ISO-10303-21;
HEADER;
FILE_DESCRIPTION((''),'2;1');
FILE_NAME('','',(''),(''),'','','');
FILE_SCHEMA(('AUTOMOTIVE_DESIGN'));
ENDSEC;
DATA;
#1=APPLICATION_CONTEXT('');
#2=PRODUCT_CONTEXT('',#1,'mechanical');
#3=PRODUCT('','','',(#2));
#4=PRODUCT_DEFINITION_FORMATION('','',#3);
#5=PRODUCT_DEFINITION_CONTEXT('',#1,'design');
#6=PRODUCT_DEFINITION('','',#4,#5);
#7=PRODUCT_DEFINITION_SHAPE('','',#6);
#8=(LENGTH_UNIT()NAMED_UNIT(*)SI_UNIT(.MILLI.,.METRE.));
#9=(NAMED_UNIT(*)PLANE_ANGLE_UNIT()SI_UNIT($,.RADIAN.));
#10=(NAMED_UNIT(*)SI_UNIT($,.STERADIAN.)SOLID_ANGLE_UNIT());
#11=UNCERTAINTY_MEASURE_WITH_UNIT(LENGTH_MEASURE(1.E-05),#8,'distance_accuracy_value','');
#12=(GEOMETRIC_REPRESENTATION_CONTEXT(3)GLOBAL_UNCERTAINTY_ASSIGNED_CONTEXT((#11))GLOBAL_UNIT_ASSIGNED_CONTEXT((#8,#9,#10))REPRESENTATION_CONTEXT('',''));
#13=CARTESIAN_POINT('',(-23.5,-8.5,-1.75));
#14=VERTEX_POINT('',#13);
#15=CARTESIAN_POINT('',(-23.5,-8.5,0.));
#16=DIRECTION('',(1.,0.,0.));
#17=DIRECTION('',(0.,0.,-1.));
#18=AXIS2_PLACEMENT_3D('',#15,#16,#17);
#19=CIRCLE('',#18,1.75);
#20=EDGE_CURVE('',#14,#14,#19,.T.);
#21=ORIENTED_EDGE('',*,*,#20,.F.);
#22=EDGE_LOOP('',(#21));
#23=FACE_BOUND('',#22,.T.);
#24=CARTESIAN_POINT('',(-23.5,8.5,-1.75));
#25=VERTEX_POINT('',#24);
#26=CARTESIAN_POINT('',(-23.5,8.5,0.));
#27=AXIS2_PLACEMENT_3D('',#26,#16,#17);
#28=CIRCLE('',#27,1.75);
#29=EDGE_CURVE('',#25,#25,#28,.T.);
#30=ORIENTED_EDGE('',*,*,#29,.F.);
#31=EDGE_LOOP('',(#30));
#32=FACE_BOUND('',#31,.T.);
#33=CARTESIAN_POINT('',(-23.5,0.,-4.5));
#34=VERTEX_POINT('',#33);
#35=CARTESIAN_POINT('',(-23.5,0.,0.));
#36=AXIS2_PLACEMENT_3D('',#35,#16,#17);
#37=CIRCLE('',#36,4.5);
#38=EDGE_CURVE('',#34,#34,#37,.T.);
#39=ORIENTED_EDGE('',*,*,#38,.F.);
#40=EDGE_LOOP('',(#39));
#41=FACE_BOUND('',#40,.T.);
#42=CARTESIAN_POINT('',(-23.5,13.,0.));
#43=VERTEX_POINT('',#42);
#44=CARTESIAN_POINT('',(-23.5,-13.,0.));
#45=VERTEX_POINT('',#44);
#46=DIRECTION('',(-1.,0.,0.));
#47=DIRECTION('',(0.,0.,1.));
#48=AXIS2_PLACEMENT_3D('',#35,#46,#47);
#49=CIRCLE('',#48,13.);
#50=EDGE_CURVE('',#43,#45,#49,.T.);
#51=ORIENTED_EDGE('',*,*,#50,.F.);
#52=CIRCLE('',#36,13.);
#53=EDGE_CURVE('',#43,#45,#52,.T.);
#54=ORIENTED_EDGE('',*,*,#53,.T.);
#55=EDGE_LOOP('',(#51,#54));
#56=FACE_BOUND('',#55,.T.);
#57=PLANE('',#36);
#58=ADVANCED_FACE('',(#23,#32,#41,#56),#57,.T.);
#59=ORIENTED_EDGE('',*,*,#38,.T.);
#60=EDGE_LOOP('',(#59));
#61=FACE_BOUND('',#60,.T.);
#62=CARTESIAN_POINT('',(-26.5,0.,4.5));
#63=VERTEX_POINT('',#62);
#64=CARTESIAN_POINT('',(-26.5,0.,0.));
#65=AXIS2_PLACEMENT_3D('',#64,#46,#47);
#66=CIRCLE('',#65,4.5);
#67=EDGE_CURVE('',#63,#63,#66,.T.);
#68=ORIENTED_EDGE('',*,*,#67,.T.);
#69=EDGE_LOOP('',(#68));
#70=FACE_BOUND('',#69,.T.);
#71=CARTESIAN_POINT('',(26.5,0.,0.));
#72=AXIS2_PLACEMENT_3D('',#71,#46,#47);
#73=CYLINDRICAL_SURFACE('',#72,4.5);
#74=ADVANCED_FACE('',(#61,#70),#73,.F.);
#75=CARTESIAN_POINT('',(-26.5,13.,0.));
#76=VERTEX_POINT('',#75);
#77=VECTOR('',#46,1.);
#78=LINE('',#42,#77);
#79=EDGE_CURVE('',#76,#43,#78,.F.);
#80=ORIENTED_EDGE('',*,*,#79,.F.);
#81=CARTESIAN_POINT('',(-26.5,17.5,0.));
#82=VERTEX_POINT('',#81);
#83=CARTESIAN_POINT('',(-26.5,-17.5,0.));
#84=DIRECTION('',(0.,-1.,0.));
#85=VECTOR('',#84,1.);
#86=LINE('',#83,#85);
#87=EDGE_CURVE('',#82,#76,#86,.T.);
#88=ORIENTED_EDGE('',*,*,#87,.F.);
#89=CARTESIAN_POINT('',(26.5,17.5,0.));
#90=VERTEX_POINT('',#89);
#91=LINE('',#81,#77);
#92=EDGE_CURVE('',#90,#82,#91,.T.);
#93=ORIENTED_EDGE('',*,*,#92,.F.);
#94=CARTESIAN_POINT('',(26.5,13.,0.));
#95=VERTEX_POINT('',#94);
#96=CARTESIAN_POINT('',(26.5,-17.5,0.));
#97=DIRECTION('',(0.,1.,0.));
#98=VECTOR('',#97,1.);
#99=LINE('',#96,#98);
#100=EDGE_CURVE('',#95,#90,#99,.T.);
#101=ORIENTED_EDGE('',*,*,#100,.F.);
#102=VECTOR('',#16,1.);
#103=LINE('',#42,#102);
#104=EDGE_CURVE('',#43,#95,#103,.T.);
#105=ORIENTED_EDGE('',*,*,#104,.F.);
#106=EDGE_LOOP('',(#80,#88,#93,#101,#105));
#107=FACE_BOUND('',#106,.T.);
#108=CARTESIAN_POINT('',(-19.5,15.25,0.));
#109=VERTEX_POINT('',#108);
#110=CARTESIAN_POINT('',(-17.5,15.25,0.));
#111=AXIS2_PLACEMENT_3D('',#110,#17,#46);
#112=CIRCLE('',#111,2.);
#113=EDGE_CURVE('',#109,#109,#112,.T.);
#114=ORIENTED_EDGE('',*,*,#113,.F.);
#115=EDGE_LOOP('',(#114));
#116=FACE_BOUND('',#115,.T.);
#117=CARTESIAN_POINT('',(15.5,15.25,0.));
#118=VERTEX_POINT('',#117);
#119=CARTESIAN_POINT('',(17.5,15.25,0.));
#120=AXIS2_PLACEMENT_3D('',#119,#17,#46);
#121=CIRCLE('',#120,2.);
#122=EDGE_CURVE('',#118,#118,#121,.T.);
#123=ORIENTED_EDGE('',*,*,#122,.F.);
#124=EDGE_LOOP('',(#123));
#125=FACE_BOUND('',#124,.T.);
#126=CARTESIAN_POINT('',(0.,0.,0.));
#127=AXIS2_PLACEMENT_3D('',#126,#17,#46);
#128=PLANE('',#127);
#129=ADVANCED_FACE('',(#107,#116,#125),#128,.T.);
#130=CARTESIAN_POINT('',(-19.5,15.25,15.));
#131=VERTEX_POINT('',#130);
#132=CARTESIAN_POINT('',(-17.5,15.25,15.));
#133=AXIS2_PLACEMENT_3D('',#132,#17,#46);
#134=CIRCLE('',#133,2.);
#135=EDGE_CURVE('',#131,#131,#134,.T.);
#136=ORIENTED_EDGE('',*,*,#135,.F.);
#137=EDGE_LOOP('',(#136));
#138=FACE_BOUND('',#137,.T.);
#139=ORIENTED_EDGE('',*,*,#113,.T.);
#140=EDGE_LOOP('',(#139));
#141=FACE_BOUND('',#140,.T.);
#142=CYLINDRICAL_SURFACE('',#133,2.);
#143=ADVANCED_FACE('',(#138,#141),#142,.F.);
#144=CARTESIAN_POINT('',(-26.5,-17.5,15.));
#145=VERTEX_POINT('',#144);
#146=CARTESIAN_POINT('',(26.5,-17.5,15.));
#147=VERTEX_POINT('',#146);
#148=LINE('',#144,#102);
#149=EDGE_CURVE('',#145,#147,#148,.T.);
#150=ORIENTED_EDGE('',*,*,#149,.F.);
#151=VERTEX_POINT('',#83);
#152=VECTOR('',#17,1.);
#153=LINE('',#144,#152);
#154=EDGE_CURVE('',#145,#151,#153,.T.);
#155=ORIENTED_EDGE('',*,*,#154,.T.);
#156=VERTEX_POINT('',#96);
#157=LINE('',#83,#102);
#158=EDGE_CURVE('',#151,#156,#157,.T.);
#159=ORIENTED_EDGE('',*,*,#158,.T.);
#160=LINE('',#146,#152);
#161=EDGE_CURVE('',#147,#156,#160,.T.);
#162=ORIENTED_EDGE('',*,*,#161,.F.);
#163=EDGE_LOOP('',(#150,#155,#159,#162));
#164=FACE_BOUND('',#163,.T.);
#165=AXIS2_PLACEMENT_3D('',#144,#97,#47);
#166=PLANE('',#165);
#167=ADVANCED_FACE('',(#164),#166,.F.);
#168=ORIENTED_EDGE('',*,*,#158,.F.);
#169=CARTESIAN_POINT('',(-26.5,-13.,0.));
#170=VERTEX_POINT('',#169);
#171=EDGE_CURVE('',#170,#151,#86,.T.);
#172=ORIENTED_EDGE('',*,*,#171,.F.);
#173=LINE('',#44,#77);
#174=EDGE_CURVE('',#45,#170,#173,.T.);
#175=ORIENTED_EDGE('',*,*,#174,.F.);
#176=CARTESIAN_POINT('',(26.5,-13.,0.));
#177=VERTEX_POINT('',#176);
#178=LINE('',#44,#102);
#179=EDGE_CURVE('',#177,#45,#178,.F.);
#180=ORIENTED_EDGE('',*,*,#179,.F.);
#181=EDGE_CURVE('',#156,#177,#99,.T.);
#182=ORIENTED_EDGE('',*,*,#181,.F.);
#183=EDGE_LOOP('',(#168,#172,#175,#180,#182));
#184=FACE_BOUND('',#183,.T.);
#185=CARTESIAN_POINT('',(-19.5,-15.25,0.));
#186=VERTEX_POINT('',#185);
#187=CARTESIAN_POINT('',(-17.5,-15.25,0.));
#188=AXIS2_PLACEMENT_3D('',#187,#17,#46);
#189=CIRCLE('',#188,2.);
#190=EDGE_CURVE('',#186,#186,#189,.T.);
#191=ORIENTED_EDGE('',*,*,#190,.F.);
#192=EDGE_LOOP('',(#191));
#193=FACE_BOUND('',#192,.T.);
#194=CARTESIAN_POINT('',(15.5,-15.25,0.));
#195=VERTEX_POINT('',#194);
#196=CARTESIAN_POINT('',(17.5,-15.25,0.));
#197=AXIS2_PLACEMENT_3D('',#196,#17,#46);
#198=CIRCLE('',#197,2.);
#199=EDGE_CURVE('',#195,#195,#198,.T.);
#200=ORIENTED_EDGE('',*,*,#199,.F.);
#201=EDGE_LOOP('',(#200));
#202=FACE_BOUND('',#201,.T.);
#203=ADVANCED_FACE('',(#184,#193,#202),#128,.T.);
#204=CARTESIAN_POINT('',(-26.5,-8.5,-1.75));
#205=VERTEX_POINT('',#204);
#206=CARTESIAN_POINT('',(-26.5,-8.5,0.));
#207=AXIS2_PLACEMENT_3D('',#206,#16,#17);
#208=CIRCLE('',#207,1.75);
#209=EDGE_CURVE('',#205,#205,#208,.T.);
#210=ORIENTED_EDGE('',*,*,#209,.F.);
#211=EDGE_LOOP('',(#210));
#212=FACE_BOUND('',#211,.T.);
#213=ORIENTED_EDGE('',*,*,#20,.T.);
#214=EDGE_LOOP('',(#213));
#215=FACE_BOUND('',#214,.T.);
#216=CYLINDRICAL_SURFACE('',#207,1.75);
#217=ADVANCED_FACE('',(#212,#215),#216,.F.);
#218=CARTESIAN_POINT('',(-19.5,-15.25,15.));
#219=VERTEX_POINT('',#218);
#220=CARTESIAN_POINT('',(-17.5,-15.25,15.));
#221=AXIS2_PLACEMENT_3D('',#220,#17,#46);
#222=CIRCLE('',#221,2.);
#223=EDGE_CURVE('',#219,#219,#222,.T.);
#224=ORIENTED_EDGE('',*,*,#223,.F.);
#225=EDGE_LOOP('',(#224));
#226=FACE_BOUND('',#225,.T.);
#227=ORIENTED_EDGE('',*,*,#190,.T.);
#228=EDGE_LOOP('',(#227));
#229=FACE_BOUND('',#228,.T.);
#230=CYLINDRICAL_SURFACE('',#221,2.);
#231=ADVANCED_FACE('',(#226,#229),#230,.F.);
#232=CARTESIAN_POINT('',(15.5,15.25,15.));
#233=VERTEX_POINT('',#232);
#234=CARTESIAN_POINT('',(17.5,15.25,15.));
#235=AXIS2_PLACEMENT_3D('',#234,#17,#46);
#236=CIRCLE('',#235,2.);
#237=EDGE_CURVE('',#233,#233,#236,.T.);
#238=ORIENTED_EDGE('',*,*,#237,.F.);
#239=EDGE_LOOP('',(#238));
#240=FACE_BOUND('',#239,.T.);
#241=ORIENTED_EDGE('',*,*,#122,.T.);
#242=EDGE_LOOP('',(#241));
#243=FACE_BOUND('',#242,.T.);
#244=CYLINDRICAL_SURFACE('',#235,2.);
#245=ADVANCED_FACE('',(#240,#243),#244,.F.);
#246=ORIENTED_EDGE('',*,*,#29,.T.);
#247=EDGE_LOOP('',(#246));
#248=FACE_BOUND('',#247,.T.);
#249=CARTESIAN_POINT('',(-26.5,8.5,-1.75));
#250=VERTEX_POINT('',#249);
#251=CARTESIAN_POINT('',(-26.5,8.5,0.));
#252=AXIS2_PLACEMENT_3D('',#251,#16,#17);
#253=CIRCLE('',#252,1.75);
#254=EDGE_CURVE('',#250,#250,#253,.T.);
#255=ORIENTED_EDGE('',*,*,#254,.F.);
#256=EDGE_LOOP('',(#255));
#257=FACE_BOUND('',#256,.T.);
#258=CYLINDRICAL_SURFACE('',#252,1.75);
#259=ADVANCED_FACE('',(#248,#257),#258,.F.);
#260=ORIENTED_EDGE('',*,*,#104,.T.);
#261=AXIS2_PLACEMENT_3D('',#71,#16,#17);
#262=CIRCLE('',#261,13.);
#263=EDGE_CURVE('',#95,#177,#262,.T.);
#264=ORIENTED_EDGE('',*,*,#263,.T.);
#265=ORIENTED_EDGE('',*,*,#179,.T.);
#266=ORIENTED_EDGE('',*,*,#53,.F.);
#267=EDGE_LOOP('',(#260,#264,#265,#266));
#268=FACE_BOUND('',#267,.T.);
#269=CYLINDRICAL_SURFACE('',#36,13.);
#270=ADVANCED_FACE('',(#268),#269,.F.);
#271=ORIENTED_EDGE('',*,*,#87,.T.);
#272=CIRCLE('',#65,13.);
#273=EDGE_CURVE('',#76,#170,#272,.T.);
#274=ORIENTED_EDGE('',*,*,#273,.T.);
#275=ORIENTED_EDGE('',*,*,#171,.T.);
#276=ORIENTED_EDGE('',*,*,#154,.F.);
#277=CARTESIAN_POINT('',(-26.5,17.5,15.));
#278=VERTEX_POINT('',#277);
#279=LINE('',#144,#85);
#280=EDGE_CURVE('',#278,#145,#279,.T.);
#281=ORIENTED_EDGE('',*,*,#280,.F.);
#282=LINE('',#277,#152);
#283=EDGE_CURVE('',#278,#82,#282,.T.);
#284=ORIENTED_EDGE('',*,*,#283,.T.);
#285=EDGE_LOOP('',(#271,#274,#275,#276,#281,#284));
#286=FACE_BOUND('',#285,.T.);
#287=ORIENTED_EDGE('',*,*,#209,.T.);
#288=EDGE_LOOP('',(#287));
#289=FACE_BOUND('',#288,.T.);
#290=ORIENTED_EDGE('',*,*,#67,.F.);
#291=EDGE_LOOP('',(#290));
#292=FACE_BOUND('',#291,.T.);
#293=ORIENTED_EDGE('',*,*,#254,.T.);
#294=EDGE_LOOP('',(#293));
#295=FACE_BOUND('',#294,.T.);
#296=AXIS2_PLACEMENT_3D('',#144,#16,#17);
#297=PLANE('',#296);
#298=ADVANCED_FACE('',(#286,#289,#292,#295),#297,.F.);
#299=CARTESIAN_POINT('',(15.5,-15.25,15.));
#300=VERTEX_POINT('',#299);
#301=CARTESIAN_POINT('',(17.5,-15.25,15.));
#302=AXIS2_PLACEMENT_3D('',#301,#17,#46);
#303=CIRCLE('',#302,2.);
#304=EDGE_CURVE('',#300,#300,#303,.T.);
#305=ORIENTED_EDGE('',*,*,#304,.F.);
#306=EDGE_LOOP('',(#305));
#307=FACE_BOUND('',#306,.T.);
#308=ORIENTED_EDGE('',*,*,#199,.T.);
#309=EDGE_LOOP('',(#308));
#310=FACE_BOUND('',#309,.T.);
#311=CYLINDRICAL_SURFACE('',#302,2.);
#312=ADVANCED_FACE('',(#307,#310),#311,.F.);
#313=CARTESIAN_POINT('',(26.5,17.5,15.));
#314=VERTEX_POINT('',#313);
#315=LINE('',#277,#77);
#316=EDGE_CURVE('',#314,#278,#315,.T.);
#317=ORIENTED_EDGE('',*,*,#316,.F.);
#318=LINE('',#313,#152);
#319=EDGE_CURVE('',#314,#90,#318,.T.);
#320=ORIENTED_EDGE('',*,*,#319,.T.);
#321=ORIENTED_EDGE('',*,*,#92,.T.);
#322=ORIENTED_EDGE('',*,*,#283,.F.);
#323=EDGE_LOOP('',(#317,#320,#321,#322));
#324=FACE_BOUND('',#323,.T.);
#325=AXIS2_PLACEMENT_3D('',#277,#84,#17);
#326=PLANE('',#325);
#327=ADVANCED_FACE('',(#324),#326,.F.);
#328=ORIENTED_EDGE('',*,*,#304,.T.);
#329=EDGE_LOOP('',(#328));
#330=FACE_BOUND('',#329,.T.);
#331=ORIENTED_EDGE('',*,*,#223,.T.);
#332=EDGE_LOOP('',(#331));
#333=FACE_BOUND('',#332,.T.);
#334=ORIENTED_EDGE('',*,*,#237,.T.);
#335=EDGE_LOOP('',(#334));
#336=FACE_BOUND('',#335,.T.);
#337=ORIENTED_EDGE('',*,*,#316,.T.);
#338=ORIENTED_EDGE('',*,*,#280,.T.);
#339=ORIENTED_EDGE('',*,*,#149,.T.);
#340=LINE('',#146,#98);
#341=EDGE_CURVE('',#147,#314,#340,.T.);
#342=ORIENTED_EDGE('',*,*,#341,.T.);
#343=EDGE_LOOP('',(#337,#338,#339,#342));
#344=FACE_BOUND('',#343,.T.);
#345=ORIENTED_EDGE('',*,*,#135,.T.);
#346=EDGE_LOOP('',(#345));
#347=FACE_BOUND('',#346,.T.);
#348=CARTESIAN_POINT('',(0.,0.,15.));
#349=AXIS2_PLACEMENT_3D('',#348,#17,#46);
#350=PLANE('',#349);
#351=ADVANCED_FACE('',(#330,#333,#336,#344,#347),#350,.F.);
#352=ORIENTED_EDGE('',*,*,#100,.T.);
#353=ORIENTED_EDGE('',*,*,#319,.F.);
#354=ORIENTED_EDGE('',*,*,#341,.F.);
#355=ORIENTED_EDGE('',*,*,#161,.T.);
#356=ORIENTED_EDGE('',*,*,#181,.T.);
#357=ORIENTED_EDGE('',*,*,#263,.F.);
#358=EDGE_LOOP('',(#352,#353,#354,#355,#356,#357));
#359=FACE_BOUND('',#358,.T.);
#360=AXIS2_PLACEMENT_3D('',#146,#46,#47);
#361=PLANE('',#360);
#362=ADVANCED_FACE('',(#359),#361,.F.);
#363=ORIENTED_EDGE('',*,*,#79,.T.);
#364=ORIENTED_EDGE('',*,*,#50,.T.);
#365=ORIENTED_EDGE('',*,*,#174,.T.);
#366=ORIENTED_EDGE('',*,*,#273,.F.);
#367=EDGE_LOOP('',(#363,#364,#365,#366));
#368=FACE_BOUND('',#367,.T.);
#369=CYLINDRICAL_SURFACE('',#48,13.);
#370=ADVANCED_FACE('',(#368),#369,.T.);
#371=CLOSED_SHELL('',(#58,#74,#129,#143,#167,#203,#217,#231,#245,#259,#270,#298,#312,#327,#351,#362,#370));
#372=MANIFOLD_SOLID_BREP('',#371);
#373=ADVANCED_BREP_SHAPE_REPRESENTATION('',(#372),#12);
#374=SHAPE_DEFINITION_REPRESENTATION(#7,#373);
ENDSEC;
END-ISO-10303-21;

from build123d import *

# Parameters (mm, degrees)
SKETCH1_W           = 53
SKETCH1_H           = 35
BOSS_EXTRUDE1_DEPTH = 15
SKETCH3_R           = 13
CUT_EXTRUDE1_DEPTH  = 50
BOSS_EXTRUDE4_START = -3
SKETCH6_R           = 13
BOSS_EXTRUDE4_DEPTH = 3
SKETCH7_R           = 4.5
CUT_EXTRUDE2_DEPTH  = 54
SKETCH10_R          = 2
CUT_EXTRUDE3_DEPTH  = 16
SKETCH17_R          = 1.75
CUT_EXTRUDE5_DEPTH  = 4


with BuildPart() as part:
    # Sketch1 → Boss-Extrude1 (new body)
    with BuildSketch(Plane.XY):
        Rectangle(SKETCH1_W, SKETCH1_H)
    extrude(amount=BOSS_EXTRUDE1_DEPTH)

    # Sketch3 → Cut-Extrude1 (cut)
    with BuildSketch(Plane(origin=(26.5, 0, 0), x_dir=(0, 0, -1), z_dir=(1, 0, 0))):
        Circle(SKETCH3_R)
    extrude(amount=-CUT_EXTRUDE1_DEPTH, mode=Mode.SUBTRACT)

    # Sketch6 → Boss-Extrude4 (add)
    with BuildSketch(Plane.ZY.offset(26.5).offset(BOSS_EXTRUDE4_START)):
        Circle(SKETCH6_R)
    extrude(amount=BOSS_EXTRUDE4_DEPTH)

    # Sketch7 → Cut-Extrude2 (cut, through all)
    with BuildSketch(Plane.ZY.offset(26.5)):
        Circle(SKETCH7_R)
    extrude(amount=-CUT_EXTRUDE2_DEPTH, mode=Mode.SUBTRACT)

    # Sketch10 → Cut-Extrude3 (cut, through all)
    with BuildSketch(Plane(origin=(0, 0, 0), x_dir=(-1, 0, 0), z_dir=(0, 0, -1))):
        with Locations((-17.5, 15.25)):
            Circle(SKETCH10_R)
        with Locations((17.5, 15.25)):
            Circle(SKETCH10_R)
        with Locations((17.5, -15.25)):
            Circle(SKETCH10_R)
        with Locations((-17.5, -15.25)):
            Circle(SKETCH10_R)
    extrude(amount=-CUT_EXTRUDE3_DEPTH, mode=Mode.SUBTRACT)

    # Sketch17 → Cut-Extrude5 (cut, through all)
    with BuildSketch(Plane(origin=(-23.5, 0, 0), x_dir=(0, 0, -1), z_dir=(1, 0, 0))):
        with Locations((0, -8.5)):
            Circle(SKETCH17_R)
        with Locations((0, 8.5)):
            Circle(SKETCH17_R)
    extrude(amount=-CUT_EXTRUDE5_DEPTH, mode=Mode.SUBTRACT)


solid = part.part
